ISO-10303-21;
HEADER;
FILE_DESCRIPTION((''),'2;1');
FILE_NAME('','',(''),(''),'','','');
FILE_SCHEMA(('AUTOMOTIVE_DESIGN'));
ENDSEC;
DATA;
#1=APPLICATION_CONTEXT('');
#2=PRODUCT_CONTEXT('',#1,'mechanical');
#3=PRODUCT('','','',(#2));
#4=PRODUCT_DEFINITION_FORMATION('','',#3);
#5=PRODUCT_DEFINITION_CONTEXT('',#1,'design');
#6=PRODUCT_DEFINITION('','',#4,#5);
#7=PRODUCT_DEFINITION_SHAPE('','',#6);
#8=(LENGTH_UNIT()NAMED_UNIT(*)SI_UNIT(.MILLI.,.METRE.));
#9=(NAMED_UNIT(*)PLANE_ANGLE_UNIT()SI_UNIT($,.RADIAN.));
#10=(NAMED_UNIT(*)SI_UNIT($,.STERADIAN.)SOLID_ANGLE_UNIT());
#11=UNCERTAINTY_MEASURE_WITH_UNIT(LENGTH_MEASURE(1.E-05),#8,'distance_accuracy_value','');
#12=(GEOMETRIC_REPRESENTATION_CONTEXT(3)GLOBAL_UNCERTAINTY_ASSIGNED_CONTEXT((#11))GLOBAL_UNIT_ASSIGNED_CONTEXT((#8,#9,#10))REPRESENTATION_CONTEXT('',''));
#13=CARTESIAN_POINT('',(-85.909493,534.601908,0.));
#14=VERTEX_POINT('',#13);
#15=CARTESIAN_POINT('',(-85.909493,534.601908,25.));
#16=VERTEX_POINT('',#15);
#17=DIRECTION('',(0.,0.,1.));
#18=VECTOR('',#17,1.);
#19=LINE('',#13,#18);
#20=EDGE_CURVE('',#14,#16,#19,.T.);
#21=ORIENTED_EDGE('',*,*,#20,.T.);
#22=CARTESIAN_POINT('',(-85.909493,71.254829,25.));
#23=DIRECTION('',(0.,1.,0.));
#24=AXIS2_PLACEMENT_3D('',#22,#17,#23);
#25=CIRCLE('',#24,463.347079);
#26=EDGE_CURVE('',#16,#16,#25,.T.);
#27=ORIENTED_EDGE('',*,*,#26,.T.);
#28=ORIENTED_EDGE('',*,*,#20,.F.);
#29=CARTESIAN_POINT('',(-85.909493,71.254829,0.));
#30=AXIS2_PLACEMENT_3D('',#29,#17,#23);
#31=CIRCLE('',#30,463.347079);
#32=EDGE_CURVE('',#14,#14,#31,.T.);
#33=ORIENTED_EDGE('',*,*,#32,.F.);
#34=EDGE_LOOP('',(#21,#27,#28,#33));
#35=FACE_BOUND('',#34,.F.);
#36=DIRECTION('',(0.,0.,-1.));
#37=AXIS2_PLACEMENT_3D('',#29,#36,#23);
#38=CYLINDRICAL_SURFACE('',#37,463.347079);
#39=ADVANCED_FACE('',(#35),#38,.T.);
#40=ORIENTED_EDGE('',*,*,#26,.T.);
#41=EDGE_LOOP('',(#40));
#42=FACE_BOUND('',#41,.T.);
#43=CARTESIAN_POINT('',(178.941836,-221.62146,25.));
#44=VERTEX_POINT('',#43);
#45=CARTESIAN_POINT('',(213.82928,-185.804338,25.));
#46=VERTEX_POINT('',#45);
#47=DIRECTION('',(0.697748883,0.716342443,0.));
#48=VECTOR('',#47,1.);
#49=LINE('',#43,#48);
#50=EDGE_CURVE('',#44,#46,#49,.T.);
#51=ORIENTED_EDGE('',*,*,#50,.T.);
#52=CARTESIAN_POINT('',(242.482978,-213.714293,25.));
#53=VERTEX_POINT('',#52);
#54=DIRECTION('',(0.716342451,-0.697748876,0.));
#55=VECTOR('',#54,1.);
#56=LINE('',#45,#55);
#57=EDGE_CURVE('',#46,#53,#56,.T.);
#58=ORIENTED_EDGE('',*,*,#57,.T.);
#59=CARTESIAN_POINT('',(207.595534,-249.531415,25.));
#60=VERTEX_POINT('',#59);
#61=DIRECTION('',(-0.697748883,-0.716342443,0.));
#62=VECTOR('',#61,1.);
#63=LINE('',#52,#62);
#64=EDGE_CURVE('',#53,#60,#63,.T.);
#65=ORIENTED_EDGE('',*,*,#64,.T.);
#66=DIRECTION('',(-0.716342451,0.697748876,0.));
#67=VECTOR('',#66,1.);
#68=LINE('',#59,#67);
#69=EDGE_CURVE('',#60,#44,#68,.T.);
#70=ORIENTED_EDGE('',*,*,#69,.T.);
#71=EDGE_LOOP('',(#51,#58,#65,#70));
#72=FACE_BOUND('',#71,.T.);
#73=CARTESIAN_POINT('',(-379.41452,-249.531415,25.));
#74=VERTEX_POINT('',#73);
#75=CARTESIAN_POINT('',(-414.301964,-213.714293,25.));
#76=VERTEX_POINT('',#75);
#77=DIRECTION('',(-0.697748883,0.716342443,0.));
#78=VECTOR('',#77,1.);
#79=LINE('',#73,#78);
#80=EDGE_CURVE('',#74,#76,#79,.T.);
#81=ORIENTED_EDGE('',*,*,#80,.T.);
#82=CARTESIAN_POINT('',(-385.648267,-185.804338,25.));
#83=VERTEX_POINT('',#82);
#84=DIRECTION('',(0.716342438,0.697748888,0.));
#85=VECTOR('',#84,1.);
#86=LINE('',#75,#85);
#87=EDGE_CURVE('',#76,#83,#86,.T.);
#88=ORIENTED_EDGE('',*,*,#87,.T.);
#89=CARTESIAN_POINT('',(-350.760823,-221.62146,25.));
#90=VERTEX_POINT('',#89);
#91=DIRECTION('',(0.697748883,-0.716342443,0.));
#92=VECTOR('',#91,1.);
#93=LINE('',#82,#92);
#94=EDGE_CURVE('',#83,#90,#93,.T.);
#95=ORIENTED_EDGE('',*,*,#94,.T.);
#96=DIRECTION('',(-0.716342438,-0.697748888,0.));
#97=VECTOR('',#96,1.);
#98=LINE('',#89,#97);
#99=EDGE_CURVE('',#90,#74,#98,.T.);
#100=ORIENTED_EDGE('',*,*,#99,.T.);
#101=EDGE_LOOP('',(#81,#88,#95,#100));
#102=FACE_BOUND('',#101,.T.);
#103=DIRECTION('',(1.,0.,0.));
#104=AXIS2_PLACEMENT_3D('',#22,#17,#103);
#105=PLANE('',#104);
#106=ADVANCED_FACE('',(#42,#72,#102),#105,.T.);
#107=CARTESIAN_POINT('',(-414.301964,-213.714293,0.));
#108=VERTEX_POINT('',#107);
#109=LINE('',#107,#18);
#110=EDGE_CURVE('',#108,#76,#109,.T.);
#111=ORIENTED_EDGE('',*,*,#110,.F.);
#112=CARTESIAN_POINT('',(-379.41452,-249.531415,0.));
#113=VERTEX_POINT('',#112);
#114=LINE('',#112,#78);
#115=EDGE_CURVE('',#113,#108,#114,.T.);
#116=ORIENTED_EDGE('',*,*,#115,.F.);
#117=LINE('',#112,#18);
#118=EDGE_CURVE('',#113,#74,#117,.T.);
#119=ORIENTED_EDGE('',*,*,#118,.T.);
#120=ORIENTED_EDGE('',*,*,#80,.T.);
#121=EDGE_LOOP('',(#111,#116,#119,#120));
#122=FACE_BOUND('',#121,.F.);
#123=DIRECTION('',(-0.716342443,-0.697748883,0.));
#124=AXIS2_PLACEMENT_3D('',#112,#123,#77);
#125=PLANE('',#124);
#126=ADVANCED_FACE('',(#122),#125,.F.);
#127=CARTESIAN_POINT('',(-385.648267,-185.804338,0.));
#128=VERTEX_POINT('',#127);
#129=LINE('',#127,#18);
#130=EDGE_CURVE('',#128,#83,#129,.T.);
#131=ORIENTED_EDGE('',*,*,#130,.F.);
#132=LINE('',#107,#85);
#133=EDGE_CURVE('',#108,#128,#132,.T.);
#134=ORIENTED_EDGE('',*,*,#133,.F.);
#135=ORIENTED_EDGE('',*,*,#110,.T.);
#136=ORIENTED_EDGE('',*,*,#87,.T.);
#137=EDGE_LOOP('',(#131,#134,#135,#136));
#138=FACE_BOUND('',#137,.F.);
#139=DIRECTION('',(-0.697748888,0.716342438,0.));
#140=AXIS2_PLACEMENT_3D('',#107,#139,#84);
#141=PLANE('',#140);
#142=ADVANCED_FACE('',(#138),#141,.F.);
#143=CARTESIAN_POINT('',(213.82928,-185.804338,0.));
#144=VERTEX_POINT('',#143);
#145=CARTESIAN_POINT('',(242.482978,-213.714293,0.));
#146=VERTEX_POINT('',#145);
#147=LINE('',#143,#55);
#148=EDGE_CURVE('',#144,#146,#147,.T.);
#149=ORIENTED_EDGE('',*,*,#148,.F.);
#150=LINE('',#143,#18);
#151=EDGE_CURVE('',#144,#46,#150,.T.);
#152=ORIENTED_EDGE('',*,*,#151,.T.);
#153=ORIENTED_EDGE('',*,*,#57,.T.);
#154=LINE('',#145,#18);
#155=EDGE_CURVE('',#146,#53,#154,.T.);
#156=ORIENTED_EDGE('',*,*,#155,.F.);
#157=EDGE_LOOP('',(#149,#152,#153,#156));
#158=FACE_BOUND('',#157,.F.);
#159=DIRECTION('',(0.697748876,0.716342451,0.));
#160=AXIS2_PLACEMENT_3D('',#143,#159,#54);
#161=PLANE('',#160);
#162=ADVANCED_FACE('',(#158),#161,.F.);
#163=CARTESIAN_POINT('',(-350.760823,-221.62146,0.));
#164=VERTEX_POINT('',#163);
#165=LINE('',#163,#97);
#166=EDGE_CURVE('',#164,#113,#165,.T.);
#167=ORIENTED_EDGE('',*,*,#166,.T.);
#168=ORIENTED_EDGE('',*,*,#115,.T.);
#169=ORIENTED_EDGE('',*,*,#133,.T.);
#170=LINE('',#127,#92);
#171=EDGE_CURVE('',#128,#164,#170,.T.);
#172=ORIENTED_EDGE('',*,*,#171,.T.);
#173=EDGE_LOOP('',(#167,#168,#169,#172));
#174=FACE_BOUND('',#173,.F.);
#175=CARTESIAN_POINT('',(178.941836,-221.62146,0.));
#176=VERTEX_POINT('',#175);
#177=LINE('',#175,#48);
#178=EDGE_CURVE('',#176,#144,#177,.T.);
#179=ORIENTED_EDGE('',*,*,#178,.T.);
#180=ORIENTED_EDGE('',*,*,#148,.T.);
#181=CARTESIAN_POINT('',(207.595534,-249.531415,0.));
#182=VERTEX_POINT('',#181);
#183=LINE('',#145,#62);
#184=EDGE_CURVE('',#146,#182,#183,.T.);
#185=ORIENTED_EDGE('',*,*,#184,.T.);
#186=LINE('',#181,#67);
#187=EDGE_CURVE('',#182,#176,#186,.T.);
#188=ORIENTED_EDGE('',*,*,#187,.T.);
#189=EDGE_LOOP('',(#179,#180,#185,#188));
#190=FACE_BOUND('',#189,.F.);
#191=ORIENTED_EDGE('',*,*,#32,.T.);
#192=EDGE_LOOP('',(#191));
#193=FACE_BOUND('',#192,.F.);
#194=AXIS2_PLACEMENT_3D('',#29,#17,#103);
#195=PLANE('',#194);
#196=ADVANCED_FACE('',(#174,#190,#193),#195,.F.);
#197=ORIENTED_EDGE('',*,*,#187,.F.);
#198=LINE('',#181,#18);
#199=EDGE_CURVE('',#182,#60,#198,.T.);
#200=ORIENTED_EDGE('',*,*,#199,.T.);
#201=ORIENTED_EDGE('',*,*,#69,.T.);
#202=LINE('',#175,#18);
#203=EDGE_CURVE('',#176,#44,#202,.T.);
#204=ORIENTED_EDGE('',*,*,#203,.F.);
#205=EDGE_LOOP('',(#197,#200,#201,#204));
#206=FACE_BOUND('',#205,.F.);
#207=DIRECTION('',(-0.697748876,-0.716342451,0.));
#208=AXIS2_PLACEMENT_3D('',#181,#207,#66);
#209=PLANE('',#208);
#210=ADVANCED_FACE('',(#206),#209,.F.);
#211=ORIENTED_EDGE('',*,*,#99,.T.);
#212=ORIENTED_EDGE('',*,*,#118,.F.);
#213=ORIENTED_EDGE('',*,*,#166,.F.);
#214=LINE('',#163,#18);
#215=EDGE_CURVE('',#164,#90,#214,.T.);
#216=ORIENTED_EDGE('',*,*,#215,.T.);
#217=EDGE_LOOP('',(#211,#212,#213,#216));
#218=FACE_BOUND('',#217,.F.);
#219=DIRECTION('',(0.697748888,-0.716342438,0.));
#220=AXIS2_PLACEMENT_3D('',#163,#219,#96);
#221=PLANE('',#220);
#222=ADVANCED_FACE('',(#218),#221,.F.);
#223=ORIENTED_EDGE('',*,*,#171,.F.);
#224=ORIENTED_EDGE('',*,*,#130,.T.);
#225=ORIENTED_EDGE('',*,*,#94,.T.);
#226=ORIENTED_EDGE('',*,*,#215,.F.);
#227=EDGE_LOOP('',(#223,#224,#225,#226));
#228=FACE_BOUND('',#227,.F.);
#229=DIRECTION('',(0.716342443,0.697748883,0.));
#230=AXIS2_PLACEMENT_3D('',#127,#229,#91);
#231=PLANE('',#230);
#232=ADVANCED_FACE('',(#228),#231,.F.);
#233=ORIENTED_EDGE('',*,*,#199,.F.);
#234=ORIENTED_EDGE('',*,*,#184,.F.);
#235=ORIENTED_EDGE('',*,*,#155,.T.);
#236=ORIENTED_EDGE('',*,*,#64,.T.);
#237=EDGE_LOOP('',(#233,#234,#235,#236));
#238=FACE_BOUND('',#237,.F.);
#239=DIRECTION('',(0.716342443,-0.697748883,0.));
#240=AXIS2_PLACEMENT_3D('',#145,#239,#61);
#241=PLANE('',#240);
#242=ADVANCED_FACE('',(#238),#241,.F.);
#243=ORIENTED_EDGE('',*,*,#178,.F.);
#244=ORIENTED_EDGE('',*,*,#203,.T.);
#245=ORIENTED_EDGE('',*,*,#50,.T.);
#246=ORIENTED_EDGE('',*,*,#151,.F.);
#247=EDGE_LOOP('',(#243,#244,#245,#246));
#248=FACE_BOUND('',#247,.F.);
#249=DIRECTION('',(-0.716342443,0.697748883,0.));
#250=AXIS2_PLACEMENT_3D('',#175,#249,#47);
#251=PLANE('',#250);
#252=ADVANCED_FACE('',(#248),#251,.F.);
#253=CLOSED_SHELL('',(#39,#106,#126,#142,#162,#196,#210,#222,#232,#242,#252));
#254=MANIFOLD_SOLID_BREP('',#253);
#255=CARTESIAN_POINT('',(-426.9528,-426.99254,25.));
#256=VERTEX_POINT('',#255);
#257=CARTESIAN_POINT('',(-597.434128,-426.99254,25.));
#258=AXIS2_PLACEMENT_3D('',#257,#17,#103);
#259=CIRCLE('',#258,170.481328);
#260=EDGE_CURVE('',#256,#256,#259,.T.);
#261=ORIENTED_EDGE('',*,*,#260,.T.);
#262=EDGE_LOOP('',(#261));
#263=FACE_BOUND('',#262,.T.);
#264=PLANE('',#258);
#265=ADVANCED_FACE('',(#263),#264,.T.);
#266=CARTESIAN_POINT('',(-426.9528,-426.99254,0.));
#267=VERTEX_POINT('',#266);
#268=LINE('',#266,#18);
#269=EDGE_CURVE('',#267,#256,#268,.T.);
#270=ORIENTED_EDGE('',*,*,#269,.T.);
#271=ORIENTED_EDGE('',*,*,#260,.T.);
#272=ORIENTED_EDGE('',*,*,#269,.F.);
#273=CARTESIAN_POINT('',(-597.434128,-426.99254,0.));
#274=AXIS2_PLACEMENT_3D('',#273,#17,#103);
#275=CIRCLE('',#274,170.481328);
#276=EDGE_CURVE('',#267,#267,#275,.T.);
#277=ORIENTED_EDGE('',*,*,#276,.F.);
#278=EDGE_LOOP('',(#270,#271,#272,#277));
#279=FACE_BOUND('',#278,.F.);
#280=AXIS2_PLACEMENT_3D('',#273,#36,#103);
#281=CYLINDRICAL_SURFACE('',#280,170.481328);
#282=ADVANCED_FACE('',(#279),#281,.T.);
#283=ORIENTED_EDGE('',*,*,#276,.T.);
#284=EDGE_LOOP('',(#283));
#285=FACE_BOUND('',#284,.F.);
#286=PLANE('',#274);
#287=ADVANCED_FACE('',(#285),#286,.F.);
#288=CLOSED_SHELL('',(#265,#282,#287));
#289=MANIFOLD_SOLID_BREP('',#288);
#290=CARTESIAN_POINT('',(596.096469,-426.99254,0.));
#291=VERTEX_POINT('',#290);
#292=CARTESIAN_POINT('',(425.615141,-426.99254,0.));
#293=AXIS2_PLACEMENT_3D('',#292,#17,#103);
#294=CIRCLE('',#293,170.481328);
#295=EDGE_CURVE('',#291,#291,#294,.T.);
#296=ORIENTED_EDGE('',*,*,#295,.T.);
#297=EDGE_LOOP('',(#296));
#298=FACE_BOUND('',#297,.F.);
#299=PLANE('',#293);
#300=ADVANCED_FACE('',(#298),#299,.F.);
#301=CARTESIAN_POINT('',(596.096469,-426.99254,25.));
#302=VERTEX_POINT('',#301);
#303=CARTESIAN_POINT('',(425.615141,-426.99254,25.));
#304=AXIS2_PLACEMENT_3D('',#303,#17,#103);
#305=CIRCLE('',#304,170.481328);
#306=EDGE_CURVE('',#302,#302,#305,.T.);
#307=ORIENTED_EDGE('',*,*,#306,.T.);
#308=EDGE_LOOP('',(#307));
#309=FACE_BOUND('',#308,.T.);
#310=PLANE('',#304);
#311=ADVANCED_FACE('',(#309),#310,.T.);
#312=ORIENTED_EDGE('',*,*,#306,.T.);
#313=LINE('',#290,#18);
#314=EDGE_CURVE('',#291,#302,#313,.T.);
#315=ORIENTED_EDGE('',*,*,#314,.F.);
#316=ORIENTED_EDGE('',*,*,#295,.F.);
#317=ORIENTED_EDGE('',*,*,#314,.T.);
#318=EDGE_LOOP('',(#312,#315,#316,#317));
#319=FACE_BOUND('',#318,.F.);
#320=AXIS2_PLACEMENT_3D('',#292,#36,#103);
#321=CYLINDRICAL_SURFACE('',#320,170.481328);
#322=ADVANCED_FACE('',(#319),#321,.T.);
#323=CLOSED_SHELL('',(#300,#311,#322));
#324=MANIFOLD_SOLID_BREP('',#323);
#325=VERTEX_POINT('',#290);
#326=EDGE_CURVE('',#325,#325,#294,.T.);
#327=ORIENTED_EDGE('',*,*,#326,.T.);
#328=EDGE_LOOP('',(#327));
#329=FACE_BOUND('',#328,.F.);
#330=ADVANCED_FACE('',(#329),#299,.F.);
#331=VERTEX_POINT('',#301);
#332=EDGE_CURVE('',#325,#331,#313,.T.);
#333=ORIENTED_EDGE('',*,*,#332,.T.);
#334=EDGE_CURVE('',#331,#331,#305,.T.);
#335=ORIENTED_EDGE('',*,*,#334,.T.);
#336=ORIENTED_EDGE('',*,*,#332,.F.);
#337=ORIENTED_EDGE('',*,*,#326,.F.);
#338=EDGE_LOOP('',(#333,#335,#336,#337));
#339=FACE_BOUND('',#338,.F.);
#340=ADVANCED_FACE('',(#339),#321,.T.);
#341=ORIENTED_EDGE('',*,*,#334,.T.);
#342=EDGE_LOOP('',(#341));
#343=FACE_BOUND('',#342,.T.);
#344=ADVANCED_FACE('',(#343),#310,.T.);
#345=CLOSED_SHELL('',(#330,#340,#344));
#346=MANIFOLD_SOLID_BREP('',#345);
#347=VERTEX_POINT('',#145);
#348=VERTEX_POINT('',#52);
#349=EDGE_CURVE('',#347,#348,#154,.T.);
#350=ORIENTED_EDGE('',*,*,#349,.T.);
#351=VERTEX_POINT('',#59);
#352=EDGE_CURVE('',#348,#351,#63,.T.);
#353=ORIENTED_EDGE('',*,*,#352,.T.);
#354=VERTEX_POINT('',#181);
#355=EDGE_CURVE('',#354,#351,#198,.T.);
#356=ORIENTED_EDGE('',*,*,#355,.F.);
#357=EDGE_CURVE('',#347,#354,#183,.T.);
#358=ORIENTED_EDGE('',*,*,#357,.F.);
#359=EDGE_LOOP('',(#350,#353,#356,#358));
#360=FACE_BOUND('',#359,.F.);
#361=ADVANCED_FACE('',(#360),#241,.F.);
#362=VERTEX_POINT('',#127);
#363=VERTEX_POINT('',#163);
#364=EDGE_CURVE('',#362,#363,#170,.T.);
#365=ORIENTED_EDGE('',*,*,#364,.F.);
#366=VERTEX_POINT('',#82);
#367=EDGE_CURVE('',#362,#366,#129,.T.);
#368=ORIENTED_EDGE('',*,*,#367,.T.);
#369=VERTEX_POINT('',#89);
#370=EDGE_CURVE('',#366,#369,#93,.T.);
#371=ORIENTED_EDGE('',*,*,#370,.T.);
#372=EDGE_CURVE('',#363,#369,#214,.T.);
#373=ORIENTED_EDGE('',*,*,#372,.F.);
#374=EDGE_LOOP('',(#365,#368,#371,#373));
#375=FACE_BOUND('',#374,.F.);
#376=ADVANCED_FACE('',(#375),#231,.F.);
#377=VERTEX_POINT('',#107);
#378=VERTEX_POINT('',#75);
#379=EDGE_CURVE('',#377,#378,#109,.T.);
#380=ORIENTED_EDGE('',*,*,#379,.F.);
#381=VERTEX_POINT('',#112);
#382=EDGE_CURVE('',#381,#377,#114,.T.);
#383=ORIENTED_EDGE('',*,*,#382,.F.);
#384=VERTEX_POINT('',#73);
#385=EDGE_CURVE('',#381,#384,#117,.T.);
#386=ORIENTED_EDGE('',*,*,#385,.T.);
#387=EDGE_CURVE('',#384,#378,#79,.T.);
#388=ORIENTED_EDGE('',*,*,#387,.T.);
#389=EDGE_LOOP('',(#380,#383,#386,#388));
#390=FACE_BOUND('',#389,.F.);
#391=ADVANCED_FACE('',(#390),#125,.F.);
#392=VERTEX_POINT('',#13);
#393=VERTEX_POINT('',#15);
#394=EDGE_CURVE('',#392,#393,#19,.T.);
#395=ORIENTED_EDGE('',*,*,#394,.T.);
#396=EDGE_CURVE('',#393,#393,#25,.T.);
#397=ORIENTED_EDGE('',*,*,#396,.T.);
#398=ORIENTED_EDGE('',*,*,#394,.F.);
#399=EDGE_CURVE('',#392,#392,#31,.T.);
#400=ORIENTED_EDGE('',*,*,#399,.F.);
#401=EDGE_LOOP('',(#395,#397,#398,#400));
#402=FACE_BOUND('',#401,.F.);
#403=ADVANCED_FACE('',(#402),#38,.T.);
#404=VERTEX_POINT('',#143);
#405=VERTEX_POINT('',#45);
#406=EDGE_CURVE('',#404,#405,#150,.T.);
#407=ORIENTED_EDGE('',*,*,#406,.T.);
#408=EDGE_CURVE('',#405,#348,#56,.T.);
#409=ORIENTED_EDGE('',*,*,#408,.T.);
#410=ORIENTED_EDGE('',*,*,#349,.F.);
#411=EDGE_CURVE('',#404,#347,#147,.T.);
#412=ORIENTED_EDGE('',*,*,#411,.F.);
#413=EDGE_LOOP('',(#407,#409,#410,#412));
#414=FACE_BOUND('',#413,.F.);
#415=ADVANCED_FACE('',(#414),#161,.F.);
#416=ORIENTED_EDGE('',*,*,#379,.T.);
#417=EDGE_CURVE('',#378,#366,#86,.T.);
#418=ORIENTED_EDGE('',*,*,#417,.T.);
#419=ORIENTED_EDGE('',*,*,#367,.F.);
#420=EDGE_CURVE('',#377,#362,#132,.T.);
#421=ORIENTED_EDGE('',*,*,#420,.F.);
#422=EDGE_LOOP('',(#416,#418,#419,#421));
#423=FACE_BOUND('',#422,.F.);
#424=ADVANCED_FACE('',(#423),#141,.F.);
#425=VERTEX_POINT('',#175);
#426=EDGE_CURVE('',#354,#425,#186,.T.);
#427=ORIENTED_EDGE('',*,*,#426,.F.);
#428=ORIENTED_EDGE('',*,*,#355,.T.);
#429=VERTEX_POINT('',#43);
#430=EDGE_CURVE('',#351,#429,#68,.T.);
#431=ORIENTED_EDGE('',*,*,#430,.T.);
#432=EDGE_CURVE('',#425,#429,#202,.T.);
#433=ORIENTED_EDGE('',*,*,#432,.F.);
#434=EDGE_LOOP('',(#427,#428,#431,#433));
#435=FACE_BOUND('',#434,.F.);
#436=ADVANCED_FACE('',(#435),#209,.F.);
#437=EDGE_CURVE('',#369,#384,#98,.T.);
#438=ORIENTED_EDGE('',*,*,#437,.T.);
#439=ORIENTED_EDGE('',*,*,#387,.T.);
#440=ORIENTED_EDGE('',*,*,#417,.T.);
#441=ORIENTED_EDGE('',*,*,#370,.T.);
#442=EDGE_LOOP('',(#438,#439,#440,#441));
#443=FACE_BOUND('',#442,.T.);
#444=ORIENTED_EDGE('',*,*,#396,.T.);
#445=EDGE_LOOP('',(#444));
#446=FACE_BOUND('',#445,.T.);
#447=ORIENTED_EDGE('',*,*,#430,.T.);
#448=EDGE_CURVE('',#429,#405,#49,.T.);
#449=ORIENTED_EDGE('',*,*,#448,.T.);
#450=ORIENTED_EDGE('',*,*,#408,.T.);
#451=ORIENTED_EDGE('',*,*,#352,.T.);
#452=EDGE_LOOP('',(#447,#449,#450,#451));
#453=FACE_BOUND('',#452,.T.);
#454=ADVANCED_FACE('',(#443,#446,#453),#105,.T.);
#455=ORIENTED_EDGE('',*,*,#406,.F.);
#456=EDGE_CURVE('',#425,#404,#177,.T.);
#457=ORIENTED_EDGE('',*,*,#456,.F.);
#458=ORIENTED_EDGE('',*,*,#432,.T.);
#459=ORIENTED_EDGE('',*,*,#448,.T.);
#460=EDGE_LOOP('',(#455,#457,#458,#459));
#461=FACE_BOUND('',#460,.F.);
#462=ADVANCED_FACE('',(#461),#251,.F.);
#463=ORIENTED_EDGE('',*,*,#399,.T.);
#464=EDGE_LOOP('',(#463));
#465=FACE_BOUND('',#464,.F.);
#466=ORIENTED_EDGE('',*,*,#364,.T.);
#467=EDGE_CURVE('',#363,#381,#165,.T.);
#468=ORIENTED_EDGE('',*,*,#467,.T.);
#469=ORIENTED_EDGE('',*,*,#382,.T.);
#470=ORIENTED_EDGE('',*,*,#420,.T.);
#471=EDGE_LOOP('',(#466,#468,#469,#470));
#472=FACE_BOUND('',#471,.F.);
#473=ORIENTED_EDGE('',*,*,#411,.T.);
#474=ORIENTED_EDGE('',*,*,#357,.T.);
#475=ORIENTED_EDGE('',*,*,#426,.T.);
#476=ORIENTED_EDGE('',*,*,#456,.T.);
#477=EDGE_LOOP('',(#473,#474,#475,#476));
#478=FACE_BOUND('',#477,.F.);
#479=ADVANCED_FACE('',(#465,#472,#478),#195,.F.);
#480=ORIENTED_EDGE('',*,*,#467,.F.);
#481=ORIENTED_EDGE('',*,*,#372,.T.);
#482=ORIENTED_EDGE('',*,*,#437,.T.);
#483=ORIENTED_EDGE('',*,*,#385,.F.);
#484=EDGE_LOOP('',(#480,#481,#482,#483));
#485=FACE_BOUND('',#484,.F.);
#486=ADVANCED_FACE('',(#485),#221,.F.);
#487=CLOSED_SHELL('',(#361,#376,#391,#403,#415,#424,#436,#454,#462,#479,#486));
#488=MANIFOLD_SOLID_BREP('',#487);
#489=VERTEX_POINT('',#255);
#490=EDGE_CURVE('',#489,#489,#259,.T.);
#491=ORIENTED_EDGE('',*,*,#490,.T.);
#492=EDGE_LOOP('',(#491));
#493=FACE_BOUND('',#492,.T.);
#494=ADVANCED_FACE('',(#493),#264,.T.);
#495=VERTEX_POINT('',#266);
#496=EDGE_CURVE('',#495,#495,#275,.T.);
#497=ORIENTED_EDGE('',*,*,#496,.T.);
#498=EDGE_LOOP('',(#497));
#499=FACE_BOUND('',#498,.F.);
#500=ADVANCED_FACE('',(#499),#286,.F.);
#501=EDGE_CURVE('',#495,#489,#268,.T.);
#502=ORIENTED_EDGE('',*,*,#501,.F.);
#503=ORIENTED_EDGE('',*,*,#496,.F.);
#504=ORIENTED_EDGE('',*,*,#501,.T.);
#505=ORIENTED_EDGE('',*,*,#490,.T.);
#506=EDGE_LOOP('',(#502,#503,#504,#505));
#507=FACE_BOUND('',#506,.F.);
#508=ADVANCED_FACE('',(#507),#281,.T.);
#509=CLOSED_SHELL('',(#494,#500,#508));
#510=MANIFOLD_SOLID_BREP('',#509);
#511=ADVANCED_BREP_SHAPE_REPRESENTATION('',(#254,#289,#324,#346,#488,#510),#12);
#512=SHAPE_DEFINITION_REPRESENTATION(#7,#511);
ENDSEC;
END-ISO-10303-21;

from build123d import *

# Parameters (mm, degrees)
F0_R     = 170.481328
F1_DEPTH = 25
F2_DEPTH = 25


with BuildPart() as f1:
    # F0 (on Top) → F1 (new body)
    with BuildSketch(Plane.XY):
        with BuildLine():
            ThreePointArc((-85.909493, -392.09225), (377.437586, 71.254829), (-85.909493, 534.601908))
            ThreePointArc((-85.909493, 534.601908), (-549.256572, 71.254829), (-85.909493, -392.09225))
        make_face()
        Polygon((-379.41452, -249.531415), (-414.301964, -213.714293), (-385.648267, -185.804338), (-350.760823, -221.62146), align=None, mode=Mode.SUBTRACT)
        Polygon((242.482978, -213.714293), (207.595534, -249.531415), (178.941836, -221.62146), (213.82928, -185.804338), align=None, mode=Mode.SUBTRACT)
        with Locations((-597.434128, -426.99254)):
            Circle(F0_R)
        with Locations((425.615141, -426.99254)):
            Circle(F0_R)
    extrude(amount=F1_DEPTH)


with BuildPart() as f2:
    # F0 (on Top) → F2 (new body)
    with BuildSketch(Plane.XY):
        with BuildLine():
            ThreePointArc((-85.909493, -392.09225), (377.437586, 71.254829), (-85.909493, 534.601908))
            ThreePointArc((-85.909493, 534.601908), (-549.256572, 71.254829), (-85.909493, -392.09225))
        make_face()
        Polygon((-379.41452, -249.531415), (-414.301964, -213.714293), (-385.648267, -185.804338), (-350.760823, -221.62146), align=None, mode=Mode.SUBTRACT)
        Polygon((242.482978, -213.714293), (207.595534, -249.531415), (178.941836, -221.62146), (213.82928, -185.804338), align=None, mode=Mode.SUBTRACT)
        with Locations((-597.434128, -426.99254)):
            Circle(F0_R)
        with Locations((425.615141, -426.99254)):
            Circle(F0_R)
    extrude(amount=F2_DEPTH)


solid = Compound([f1.part, f2.part])
